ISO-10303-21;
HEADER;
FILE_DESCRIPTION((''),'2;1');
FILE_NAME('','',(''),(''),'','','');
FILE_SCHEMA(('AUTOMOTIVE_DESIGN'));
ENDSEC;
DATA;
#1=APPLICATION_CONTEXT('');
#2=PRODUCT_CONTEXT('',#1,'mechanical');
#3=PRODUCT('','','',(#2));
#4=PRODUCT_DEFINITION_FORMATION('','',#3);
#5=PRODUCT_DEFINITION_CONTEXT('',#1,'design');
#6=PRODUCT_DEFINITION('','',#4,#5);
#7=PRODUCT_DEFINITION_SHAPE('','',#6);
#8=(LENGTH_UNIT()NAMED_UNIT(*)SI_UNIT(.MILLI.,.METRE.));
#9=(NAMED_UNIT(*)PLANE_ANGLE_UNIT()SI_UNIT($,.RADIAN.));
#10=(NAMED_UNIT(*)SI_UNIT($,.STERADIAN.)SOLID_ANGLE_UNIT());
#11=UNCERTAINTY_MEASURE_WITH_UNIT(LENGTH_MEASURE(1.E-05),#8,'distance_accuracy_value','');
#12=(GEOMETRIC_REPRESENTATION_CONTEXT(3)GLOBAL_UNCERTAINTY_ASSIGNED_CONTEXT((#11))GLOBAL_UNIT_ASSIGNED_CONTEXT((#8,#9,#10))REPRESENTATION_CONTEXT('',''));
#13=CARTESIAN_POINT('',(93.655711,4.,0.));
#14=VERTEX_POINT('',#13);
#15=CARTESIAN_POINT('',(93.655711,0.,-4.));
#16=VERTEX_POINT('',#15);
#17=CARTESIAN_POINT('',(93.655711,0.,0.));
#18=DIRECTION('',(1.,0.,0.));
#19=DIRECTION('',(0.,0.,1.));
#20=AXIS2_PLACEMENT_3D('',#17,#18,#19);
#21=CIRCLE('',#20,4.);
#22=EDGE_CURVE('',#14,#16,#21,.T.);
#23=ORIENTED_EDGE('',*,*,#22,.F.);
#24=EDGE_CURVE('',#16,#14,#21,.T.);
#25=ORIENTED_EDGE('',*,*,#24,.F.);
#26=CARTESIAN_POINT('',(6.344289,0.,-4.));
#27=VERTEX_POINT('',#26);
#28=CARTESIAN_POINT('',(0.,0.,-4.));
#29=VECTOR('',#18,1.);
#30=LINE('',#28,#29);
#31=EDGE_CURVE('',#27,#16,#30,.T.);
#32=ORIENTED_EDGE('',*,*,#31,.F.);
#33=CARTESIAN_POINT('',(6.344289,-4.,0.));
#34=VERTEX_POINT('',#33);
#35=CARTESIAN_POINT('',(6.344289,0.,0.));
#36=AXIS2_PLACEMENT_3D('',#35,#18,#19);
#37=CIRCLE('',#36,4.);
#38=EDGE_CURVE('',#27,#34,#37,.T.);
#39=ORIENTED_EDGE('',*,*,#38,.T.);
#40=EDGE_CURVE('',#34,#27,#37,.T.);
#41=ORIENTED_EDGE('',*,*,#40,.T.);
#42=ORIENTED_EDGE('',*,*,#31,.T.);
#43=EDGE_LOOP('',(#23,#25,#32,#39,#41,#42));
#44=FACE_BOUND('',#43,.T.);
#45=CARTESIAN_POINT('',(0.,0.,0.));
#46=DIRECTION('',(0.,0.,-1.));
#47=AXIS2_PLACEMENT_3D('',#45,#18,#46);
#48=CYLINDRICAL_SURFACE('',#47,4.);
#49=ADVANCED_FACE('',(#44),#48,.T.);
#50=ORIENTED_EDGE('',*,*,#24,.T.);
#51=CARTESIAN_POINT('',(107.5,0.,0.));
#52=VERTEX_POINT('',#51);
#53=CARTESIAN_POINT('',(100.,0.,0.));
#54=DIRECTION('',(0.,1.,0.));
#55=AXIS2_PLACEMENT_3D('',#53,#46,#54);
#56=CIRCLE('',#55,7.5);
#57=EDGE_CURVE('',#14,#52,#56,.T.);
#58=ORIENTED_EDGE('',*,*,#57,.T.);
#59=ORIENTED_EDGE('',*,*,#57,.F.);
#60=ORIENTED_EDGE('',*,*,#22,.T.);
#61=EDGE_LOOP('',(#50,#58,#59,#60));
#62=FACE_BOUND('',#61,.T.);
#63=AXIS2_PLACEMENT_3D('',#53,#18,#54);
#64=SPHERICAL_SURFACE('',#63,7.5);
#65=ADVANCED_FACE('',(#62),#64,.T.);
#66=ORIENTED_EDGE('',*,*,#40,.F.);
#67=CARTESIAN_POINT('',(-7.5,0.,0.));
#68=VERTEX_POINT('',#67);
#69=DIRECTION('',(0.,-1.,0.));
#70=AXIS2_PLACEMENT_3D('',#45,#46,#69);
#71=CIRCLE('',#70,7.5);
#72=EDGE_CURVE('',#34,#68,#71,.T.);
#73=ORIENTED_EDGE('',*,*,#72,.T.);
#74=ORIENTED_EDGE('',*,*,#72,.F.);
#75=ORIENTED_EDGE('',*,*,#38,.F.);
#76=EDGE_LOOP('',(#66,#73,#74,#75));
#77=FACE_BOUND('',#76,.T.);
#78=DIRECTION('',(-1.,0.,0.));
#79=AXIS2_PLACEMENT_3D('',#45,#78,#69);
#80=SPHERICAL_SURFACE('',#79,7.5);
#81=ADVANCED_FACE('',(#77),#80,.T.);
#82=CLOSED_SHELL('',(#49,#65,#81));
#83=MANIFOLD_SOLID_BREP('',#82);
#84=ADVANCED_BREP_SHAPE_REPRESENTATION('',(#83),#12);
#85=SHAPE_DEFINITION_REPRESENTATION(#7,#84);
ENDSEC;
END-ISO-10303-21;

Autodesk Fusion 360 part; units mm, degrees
cylinder "CylinderPrimitive1" add diameter 8 height 100 placed x (0, 0, -1) y (0, 1, 0) z (1, 0, 0) at (0, 0, 0)
sphere "SpherePrimitive1" add diameter 15 placed x (0, -1, 0) y (0, 0, 1) z (-1, 0, 0) at (0, 0, 0)
sphere "SpherePrimitive2" add diameter 15 placed x (0, 1, 0) y (0, 0, 1) z (1, 0, 0) at (100, 0, 0)
